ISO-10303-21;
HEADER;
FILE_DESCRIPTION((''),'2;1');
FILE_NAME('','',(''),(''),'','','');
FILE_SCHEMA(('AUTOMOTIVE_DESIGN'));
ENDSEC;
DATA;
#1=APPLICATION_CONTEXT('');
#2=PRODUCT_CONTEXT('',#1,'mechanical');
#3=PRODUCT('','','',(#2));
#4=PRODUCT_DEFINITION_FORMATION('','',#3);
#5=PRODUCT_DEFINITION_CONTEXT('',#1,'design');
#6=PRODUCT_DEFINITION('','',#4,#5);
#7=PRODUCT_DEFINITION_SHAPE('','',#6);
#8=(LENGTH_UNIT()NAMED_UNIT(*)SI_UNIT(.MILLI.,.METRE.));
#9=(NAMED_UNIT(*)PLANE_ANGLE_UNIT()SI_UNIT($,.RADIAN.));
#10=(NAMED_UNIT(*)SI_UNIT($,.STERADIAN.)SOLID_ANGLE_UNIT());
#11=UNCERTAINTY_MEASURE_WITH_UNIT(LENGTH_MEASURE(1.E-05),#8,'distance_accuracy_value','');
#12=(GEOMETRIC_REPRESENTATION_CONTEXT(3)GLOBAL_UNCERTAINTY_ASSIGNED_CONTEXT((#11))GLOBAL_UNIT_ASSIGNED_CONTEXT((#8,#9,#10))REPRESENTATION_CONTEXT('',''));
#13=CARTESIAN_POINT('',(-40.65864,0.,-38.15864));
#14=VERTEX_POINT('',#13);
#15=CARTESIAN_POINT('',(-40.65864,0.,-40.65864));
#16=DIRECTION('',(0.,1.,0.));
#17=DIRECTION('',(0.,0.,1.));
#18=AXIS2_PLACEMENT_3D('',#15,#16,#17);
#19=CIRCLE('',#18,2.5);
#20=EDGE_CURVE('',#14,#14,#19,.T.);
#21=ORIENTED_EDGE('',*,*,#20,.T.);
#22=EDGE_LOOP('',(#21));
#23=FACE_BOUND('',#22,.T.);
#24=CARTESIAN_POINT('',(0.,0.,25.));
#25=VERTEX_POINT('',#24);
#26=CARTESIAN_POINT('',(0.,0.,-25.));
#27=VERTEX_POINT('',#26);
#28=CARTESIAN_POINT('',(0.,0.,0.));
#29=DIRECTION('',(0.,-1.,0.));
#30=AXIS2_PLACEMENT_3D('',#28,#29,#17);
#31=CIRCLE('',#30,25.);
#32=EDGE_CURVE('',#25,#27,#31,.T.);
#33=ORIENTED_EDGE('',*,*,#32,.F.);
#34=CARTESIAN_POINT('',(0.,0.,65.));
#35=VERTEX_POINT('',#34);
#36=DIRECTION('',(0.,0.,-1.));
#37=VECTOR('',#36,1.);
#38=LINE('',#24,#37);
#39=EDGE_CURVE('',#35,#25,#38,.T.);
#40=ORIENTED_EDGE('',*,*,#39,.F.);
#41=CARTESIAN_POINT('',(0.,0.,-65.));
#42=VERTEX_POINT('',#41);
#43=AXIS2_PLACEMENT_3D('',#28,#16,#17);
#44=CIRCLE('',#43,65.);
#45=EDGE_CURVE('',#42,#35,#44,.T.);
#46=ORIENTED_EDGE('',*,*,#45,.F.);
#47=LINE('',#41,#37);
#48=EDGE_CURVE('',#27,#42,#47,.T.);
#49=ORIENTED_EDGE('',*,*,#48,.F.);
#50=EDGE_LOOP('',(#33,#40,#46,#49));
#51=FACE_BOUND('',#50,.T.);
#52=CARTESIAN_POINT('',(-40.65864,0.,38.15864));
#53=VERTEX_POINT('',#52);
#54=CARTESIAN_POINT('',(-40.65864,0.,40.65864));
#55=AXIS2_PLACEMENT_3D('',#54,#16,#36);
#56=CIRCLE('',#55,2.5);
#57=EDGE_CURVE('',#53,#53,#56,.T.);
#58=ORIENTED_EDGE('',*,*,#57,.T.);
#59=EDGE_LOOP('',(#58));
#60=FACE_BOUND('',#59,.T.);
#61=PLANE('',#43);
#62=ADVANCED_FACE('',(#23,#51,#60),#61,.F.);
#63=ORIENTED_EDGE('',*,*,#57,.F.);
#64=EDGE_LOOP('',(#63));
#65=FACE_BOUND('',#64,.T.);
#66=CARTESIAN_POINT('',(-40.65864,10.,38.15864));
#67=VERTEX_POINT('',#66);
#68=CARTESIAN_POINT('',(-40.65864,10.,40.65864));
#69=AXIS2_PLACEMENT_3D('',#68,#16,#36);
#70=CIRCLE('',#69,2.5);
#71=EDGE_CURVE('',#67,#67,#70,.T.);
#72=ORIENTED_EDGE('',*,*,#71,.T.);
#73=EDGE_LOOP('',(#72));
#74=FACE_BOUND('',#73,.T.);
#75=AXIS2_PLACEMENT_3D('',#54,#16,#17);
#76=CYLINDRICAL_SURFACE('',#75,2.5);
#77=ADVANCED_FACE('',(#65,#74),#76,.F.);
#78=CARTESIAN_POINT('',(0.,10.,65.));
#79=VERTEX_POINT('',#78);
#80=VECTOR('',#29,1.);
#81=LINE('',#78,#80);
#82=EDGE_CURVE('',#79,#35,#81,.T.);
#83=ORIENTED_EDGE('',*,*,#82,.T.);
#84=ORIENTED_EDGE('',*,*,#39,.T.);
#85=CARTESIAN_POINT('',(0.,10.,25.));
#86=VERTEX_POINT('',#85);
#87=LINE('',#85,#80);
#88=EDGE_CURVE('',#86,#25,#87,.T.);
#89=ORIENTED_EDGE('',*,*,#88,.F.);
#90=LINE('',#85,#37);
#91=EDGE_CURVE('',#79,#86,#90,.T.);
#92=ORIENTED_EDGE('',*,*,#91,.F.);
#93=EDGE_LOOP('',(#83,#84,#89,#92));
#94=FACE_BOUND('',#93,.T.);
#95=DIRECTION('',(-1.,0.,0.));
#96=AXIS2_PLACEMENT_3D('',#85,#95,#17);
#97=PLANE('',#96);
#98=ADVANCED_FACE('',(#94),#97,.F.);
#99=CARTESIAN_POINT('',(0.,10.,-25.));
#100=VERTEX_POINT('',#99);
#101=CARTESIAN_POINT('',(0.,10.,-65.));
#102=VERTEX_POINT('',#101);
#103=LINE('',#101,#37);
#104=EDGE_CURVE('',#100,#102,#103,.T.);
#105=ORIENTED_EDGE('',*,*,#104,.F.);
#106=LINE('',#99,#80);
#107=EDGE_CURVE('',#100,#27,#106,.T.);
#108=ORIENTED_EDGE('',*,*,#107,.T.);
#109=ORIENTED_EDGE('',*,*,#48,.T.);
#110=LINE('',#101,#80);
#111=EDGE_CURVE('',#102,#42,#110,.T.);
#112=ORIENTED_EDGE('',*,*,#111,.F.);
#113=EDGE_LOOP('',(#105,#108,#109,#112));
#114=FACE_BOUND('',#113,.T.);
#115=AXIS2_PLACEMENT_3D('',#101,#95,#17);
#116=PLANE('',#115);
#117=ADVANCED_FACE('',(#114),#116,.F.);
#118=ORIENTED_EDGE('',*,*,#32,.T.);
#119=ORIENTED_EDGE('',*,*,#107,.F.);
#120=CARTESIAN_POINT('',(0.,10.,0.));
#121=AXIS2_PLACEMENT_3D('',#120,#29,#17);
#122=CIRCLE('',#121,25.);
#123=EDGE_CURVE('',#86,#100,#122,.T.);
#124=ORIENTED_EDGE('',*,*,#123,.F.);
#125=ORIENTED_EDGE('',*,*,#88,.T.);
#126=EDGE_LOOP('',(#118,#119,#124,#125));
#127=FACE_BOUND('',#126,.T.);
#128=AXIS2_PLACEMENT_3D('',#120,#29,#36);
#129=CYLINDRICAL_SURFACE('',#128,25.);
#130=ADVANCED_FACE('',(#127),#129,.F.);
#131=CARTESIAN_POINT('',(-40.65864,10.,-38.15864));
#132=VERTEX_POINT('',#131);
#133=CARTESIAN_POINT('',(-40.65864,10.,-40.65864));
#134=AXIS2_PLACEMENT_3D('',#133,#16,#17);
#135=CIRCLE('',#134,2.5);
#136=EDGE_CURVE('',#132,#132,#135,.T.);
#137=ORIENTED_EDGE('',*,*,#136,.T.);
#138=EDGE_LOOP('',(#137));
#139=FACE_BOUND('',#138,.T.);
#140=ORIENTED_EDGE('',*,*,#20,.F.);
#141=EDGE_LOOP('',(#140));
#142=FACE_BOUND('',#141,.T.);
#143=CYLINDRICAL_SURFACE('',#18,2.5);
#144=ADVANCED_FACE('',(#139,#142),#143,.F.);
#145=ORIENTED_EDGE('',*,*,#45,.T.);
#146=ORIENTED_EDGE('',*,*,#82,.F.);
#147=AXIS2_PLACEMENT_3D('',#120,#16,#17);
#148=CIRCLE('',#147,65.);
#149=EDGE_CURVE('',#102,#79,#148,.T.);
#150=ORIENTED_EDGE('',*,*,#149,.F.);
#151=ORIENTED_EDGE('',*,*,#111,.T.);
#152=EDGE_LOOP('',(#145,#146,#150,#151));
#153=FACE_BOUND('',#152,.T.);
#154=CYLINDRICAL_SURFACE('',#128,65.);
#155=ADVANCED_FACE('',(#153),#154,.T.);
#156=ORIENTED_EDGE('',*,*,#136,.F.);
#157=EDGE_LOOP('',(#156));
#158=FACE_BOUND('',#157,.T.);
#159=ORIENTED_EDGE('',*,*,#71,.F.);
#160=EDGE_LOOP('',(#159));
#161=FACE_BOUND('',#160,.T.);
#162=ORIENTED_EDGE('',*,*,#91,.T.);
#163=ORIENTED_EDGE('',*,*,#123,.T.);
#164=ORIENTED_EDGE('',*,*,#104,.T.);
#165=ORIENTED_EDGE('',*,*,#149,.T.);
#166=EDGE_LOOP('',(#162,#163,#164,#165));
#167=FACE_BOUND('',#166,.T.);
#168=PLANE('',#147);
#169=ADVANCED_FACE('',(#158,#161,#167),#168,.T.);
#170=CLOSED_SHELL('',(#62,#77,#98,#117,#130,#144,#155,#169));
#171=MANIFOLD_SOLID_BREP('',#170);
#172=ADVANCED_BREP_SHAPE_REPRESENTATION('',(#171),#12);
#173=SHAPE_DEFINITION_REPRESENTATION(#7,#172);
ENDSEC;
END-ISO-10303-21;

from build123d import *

# Parameters (mm, degrees)
BOSS_EXTRUDE1_DEPTH = 10
SKETCH2_R           = 2.5
CUT_EXTRUDE1_DEPTH  = 93.466210045


with BuildPart() as part:
    # Sketch1 → Boss-Extrude1 (new body)
    with BuildSketch(Plane(origin=(0, 0, 0), x_dir=(1, 0, 0), z_dir=(0, 1, 0))):
        with BuildLine():
            Line((0, 65), (0, 25))
            ThreePointArc((0, 25), (-25, 0), (0, -25))
            Line((0, -25), (0, -65))
            ThreePointArc((0, -65), (-65, 0), (0, 65))
        make_face()
    extrude(amount=BOSS_EXTRUDE1_DEPTH)

    # Sketch2 → Cut-Extrude1 (cut, through all)
    with BuildSketch(Plane(origin=(0, 10, 0), x_dir=(1, 0, 0), z_dir=(0, 1, 0))):
        with Locations(Location((-40.658639918, 40.658639918, 0), (0, 0, 270))):
            Circle(SKETCH2_R)
        with Locations(Location((-40.658639918, -40.658639918, 0), (0, 0, 90))):
            Circle(SKETCH2_R)
    extrude(amount=-CUT_EXTRUDE1_DEPTH, mode=Mode.SUBTRACT)


solid = part.part
